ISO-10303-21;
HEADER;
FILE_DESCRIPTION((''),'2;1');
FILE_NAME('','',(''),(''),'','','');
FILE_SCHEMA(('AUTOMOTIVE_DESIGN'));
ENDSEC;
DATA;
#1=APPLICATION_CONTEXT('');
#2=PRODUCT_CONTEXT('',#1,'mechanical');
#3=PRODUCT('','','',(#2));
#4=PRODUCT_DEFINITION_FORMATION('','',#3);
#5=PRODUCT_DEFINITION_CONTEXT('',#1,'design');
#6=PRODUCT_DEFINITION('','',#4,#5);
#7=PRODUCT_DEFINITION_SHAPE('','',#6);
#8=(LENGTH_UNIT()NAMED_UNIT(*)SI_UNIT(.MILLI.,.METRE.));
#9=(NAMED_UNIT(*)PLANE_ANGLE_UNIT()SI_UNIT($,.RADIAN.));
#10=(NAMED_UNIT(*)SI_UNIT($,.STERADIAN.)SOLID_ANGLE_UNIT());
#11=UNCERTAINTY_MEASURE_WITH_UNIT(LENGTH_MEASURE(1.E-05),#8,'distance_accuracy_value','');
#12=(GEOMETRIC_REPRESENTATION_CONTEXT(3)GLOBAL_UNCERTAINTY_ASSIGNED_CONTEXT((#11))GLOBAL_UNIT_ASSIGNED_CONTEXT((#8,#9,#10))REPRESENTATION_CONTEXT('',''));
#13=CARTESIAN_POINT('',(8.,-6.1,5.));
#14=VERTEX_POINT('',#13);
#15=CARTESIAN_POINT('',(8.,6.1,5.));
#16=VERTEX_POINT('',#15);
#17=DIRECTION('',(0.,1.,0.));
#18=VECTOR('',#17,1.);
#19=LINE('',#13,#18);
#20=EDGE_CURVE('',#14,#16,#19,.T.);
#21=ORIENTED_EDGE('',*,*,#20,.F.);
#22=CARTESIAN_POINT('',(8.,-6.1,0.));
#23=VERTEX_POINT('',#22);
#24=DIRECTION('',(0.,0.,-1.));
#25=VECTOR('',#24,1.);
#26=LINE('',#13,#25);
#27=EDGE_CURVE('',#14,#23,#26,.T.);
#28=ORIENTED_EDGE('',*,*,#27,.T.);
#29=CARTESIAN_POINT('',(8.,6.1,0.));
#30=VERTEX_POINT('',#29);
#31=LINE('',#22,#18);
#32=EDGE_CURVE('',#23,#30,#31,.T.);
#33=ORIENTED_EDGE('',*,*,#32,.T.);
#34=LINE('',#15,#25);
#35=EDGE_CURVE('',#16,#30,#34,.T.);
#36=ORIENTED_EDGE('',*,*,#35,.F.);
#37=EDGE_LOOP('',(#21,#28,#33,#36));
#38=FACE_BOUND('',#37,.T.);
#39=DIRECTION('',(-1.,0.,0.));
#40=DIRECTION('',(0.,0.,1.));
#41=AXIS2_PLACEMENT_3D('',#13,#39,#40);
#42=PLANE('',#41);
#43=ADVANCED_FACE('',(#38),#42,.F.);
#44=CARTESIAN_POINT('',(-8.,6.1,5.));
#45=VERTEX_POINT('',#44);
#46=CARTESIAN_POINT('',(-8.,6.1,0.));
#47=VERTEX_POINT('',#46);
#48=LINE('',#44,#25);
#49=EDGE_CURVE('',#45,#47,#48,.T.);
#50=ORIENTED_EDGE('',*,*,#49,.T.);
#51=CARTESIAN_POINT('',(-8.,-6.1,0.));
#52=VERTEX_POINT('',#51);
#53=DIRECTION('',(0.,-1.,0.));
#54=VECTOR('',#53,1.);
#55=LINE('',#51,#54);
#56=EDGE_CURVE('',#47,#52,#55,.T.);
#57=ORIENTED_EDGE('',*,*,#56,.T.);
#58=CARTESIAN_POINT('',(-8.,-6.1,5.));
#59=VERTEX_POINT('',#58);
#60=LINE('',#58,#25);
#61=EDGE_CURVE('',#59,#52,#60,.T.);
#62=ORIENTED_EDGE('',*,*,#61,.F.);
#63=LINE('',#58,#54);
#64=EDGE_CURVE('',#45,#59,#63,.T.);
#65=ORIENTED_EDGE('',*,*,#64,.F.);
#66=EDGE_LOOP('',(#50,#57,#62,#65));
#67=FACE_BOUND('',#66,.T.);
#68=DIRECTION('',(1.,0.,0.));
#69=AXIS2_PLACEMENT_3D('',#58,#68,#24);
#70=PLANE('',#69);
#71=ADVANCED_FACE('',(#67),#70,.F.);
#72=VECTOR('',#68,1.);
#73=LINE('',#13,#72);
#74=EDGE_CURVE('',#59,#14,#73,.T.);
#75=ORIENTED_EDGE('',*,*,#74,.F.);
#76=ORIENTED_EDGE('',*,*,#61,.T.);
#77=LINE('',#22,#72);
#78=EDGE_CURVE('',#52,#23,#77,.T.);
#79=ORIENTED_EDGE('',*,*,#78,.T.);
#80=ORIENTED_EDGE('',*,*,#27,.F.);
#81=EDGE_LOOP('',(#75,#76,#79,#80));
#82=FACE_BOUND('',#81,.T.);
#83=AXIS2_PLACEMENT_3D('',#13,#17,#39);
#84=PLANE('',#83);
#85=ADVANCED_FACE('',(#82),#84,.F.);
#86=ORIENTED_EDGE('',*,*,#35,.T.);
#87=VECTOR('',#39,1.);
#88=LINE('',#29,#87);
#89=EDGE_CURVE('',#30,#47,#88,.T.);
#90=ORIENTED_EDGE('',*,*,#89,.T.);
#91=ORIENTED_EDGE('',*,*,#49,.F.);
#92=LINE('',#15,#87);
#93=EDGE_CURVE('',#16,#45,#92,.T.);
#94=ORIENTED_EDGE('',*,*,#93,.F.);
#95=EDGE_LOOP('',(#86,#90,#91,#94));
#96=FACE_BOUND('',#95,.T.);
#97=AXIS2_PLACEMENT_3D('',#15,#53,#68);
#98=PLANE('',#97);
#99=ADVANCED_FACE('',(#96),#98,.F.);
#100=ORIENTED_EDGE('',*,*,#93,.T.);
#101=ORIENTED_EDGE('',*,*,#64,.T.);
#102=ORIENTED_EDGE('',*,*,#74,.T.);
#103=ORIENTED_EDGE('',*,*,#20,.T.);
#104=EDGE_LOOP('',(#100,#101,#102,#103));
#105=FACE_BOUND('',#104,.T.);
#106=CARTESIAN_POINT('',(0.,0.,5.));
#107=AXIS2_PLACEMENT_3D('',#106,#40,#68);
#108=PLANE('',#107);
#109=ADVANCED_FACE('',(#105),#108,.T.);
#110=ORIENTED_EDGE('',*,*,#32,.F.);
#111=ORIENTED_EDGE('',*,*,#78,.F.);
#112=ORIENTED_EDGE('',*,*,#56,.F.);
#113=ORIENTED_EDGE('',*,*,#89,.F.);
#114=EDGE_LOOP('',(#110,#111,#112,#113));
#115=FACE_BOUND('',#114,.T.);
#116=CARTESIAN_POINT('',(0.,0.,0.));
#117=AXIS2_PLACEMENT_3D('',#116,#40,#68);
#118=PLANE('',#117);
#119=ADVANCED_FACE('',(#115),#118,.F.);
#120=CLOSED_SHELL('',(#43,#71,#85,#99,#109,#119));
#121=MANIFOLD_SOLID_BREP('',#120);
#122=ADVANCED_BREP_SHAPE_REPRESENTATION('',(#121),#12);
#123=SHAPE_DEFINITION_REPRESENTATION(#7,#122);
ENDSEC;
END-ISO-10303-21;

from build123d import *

# Parameters (mm, degrees)
ESBO_O1_W                = 16
ESBO_O1_H                = 12.2
RESSALTO_EXTRUS_O1_DEPTH = 5


with BuildPart() as part:
    # Esboço1 → Ressalto-extrusão1 (new body)
    with BuildSketch(Plane.XY):
        Rectangle(ESBO_O1_W, ESBO_O1_H)
    extrude(amount=RESSALTO_EXTRUS_O1_DEPTH)


solid = part.part
